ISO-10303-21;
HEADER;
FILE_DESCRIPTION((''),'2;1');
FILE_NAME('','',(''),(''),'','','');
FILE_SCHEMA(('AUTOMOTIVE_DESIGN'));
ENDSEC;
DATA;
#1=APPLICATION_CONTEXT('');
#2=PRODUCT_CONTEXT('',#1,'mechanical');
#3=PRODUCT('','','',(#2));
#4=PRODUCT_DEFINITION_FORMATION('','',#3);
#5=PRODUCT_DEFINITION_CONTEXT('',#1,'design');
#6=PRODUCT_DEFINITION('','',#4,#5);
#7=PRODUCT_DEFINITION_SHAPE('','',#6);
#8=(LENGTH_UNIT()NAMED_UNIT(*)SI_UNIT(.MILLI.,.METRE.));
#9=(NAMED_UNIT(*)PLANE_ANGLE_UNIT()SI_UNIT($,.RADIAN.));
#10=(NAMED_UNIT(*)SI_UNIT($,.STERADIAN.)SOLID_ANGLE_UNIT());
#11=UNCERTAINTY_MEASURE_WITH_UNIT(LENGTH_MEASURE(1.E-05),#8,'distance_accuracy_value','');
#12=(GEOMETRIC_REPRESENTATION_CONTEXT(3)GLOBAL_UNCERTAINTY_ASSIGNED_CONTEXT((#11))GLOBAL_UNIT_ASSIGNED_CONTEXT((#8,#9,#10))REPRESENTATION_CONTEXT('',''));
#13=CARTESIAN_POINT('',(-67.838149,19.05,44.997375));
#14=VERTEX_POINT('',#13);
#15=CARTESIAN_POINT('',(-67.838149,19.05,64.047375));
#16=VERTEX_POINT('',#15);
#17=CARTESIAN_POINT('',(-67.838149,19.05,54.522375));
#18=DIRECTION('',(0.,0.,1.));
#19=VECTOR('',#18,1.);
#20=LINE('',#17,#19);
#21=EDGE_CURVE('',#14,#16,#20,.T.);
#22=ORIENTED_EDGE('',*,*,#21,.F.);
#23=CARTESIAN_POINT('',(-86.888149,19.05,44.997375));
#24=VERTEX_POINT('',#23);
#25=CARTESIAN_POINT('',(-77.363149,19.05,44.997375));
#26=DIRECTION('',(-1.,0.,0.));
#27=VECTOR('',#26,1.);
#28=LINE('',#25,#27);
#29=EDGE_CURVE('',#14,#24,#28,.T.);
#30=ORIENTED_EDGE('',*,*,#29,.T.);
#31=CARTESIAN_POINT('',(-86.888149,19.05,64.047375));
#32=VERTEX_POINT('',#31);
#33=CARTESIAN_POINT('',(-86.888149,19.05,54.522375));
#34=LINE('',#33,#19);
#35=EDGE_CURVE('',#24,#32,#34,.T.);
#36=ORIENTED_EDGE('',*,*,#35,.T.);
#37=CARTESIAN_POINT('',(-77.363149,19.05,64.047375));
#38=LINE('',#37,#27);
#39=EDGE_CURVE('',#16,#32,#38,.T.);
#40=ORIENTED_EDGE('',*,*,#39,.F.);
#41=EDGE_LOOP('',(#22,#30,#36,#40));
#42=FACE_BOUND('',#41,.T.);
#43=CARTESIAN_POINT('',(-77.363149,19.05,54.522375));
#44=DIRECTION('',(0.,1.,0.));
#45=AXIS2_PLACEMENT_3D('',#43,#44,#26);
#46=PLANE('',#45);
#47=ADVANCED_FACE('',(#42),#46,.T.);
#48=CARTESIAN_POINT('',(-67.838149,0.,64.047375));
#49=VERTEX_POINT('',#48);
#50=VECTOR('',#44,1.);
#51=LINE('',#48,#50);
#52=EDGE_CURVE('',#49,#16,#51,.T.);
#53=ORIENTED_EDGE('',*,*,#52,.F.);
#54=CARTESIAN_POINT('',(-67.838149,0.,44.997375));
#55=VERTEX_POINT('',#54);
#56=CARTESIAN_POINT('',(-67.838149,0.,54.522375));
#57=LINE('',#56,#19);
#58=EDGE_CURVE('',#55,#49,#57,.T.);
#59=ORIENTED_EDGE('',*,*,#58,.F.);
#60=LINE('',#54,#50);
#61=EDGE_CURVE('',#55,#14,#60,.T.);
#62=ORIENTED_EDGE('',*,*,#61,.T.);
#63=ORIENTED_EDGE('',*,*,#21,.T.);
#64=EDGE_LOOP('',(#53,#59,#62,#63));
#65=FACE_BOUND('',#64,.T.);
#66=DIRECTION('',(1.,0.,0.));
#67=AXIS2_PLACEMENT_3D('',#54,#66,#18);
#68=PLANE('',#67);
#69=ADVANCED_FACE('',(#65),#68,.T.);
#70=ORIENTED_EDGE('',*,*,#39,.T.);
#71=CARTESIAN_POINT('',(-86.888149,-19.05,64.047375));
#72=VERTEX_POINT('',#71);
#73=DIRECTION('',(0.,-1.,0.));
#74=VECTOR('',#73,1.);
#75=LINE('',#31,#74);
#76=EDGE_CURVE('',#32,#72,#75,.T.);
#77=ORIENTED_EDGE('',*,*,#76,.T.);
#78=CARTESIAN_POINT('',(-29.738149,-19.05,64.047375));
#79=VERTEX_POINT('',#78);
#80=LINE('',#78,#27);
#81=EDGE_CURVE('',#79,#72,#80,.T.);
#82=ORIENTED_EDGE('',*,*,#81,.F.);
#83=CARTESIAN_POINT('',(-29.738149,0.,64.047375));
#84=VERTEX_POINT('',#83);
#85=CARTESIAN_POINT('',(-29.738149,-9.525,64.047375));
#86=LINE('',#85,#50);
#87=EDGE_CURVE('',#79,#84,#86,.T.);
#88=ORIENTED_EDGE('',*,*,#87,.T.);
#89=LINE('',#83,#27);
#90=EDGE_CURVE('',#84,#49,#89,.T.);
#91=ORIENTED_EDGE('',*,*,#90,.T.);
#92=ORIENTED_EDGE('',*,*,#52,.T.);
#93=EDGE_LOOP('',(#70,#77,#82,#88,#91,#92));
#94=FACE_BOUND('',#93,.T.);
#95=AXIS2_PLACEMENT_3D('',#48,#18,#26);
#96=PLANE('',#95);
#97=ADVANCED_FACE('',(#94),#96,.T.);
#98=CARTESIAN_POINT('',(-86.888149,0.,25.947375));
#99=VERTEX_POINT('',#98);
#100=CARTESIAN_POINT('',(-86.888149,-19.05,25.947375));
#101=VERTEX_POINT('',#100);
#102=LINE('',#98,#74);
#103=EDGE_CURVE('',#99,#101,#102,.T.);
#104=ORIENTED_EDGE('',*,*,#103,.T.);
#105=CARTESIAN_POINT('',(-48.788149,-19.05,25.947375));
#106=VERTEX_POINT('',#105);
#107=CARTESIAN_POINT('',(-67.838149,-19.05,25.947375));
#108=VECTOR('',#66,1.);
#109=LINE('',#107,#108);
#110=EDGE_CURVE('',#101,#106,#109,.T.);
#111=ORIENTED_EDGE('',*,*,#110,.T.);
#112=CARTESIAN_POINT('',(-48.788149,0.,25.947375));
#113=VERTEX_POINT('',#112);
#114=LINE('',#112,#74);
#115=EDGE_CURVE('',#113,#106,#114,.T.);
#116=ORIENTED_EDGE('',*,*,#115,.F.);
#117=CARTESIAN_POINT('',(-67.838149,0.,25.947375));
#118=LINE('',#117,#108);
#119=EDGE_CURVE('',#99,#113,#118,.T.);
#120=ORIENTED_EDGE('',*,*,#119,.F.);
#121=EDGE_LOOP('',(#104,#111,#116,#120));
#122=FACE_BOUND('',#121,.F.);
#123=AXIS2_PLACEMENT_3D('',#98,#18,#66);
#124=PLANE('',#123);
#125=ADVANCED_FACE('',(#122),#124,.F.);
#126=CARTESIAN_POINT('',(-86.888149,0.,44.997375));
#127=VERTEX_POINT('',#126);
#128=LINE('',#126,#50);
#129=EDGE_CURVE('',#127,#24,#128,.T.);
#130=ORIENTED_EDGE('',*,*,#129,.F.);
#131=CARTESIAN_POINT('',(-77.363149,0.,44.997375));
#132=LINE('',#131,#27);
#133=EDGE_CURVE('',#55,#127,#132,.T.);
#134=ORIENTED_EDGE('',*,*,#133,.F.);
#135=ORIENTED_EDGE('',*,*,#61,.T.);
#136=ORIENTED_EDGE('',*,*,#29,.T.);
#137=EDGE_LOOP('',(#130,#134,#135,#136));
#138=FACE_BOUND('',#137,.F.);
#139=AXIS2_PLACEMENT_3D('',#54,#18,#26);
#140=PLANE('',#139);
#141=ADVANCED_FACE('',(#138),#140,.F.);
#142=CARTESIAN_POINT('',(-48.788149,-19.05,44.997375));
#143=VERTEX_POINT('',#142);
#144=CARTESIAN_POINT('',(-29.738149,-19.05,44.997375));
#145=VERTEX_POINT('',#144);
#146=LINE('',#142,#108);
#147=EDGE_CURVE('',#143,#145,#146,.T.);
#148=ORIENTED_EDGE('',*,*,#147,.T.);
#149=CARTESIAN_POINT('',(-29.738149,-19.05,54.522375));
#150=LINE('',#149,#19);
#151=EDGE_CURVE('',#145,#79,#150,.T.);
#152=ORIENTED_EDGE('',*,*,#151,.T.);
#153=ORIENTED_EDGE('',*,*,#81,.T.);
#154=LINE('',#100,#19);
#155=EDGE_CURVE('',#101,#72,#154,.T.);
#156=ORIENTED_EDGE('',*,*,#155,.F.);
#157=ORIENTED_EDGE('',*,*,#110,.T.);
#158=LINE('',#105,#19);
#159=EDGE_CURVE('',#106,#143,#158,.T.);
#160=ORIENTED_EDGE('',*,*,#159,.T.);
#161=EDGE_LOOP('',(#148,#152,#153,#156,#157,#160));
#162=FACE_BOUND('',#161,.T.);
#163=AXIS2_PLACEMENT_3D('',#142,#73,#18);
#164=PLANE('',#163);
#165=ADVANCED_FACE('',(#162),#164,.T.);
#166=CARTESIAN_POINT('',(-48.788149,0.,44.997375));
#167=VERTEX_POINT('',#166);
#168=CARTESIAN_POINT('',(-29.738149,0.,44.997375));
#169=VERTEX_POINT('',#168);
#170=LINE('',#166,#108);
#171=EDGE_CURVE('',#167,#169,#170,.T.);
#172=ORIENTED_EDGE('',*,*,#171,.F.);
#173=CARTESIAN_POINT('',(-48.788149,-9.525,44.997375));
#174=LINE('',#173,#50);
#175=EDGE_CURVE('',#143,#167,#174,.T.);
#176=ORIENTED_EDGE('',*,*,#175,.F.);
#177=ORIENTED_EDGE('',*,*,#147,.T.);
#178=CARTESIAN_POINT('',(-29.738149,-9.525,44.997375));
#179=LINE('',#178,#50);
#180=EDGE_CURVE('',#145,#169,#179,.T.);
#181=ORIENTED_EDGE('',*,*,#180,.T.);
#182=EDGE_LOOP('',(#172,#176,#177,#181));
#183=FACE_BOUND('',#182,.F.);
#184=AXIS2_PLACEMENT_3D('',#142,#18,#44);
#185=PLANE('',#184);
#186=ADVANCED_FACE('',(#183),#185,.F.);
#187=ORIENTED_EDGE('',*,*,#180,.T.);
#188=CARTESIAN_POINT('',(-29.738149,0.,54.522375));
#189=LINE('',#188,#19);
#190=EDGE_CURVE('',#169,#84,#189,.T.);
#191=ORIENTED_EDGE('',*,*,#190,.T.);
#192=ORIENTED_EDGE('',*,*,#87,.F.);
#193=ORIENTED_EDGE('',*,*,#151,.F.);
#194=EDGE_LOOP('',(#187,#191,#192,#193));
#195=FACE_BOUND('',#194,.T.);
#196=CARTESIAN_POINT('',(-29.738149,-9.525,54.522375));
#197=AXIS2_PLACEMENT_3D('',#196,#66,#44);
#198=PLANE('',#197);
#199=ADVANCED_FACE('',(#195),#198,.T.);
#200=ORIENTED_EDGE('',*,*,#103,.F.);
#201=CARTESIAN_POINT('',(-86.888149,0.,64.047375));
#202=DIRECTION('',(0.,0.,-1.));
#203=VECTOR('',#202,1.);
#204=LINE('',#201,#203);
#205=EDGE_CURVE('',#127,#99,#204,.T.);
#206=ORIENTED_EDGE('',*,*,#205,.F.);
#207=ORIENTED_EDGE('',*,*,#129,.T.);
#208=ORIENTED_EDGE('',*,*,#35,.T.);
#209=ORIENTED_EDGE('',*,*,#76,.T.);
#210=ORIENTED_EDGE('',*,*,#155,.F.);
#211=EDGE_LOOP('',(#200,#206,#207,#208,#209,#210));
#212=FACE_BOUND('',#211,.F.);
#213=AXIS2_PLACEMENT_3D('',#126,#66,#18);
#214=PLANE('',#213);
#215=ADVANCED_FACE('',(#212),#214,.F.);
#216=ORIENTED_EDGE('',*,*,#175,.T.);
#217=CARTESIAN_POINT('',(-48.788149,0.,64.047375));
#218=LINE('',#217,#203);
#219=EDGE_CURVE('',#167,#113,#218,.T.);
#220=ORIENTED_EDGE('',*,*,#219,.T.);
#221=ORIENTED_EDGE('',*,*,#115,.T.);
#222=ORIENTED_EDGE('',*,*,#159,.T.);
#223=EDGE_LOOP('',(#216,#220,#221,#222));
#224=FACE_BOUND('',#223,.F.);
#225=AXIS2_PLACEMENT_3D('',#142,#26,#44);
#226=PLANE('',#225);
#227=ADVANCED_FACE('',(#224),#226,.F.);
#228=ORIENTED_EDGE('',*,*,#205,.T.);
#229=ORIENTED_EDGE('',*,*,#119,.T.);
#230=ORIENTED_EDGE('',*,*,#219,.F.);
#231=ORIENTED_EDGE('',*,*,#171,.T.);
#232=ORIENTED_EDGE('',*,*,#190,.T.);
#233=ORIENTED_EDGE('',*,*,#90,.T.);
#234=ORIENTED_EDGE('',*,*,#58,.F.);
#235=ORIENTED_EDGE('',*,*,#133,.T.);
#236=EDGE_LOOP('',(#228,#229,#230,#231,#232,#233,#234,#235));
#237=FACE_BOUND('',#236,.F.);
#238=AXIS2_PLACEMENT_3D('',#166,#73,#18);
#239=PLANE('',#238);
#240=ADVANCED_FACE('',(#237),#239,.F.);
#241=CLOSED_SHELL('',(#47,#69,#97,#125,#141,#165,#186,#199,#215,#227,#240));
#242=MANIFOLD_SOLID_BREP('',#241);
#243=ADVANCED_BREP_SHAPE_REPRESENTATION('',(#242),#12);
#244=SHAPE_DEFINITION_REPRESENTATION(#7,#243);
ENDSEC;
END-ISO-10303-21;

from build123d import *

# Parameters (mm, degrees)
F0_W     = 38.1
F0_H     = 19.05
F1_DEPTH = 19.05
F2_W     = 38.1
F2_H     = 19.05
F3_DEPTH = 19.05
F4_W     = 19.05
F4_H     = 19.05
F5_DEPTH = 19.05
F6_W     = 19.05
F6_H     = 19.05
F7_DEPTH = 19.05


with BuildPart() as f1:
    # F0 (on Front) → F1 (new body)
    with BuildSketch(Plane.XZ):
        with Locations((-67.838149, 35.472375)):
            Rectangle(F0_W, F0_H)
    extrude(amount=F1_DEPTH)

    # F2 (on face) → F3 (join)
    with BuildSketch(Plane.XY.offset(44.997375)):
        with Locations((-67.838149, -9.525)):
            Rectangle(F2_W, F2_H)
    extrude(amount=F3_DEPTH)

    # F4 (on face) → F5 (join)
    with BuildSketch(Plane.YZ.offset(-48.788149)):
        with Locations((-9.525, 54.522375)):
            Rectangle(F4_W, F4_H)
    extrude(amount=F5_DEPTH)

    # F6 (on face) → F7 (join)
    with BuildSketch(Plane(origin=(0, 0, 0), x_dir=(-1, 0, 0), z_dir=(0, 1, 0))):
        with Locations((77.363149, 54.522375)):
            Rectangle(F6_W, F6_H)
    extrude(amount=F7_DEPTH)


solid = f1.part
